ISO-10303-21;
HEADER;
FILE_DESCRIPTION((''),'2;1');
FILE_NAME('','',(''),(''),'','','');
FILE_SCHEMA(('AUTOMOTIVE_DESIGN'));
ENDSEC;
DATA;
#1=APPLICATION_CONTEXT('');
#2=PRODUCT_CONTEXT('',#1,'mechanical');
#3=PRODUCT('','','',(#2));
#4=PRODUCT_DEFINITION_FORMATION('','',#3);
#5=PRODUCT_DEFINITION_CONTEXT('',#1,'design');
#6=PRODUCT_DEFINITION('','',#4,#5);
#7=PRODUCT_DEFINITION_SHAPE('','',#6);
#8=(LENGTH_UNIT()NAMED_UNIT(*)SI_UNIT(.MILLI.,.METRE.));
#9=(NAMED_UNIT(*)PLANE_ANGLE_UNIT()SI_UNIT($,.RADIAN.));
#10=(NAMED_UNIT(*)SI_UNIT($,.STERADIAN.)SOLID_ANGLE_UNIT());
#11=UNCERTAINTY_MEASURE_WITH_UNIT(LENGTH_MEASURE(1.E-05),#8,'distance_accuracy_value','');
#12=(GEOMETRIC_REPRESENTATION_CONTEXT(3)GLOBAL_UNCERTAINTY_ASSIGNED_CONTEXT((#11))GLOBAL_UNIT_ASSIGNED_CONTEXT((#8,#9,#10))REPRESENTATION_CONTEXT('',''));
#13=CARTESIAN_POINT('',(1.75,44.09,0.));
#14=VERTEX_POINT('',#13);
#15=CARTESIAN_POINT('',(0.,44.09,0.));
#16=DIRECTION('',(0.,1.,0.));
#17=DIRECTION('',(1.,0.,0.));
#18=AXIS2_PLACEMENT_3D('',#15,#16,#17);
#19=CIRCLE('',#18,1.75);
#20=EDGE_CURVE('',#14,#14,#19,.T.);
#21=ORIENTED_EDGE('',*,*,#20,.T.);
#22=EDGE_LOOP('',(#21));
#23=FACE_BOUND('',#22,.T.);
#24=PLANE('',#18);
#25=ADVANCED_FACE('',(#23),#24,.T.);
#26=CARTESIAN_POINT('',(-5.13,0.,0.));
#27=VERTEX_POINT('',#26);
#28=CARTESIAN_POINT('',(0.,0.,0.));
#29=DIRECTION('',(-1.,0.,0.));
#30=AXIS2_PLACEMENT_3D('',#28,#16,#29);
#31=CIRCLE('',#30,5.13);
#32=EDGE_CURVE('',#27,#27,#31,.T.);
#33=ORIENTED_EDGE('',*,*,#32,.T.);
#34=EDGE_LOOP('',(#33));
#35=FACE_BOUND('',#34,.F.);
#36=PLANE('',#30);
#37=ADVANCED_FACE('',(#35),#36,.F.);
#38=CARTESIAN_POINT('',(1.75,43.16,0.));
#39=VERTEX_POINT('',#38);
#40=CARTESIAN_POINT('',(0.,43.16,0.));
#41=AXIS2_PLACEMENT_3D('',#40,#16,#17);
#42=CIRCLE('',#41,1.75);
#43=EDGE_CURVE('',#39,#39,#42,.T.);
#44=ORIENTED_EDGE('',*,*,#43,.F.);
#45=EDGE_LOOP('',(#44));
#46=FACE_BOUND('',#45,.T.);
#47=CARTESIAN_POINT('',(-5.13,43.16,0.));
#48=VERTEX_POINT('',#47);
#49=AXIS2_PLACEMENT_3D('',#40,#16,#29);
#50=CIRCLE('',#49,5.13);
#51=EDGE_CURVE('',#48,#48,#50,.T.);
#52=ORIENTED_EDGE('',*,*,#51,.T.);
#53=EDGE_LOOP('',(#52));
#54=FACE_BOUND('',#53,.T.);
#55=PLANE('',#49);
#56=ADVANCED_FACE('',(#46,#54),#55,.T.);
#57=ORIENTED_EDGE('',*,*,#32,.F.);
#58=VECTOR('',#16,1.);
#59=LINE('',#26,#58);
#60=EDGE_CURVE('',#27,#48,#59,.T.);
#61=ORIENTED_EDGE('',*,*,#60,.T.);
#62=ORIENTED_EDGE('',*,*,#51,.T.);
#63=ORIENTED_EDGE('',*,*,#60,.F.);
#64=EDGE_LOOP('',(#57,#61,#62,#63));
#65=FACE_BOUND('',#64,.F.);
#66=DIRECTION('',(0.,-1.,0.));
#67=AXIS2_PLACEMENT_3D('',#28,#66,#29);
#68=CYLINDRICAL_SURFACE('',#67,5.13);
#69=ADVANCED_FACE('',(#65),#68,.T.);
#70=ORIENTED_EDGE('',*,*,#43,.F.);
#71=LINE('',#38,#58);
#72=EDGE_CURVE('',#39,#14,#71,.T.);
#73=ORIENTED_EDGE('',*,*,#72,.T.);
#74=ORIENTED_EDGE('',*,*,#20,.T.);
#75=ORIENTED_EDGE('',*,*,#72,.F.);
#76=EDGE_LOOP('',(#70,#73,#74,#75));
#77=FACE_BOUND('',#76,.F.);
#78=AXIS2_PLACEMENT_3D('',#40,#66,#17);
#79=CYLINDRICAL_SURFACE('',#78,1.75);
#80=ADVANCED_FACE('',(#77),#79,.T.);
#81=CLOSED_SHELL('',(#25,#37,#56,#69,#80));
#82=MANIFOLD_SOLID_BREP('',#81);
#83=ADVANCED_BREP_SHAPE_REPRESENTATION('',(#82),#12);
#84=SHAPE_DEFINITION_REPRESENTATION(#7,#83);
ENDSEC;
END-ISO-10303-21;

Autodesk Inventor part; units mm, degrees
ref_plane "YZ Plane" through (0, 0, 0) normal (1, 0, 0) x (0, 1, 0)
ref_plane "XZ Plane" through (0, 0, 0) normal (0, 1, 0) x (-1, 0, 0)
ref_plane "XY Plane" through (0, 0, 0) normal (0, 0, 1) x (1, 0, 0)
sketch "Sketch1" plane through (0, 0, 0) normal (0, 1, 0) x (-1, 0, 0)
  circle A0 centre (0, 0) radius 5.13
  dimension "d0" = 10.26
extrude "Extrusion1" add sketch "Sketch1" along normal blind 43.16
sketch "Sketch2" plane through (0, 43.16, 0) normal (0, 1, 0) x (1, 0, 0)
  circle A0 centre (0, 0) radius 1.75
  dimension "d3" = 3.5
extrude "Extrusion2" add sketch "Sketch2" along normal blind 0.93
properties part number "battery-aaa"
